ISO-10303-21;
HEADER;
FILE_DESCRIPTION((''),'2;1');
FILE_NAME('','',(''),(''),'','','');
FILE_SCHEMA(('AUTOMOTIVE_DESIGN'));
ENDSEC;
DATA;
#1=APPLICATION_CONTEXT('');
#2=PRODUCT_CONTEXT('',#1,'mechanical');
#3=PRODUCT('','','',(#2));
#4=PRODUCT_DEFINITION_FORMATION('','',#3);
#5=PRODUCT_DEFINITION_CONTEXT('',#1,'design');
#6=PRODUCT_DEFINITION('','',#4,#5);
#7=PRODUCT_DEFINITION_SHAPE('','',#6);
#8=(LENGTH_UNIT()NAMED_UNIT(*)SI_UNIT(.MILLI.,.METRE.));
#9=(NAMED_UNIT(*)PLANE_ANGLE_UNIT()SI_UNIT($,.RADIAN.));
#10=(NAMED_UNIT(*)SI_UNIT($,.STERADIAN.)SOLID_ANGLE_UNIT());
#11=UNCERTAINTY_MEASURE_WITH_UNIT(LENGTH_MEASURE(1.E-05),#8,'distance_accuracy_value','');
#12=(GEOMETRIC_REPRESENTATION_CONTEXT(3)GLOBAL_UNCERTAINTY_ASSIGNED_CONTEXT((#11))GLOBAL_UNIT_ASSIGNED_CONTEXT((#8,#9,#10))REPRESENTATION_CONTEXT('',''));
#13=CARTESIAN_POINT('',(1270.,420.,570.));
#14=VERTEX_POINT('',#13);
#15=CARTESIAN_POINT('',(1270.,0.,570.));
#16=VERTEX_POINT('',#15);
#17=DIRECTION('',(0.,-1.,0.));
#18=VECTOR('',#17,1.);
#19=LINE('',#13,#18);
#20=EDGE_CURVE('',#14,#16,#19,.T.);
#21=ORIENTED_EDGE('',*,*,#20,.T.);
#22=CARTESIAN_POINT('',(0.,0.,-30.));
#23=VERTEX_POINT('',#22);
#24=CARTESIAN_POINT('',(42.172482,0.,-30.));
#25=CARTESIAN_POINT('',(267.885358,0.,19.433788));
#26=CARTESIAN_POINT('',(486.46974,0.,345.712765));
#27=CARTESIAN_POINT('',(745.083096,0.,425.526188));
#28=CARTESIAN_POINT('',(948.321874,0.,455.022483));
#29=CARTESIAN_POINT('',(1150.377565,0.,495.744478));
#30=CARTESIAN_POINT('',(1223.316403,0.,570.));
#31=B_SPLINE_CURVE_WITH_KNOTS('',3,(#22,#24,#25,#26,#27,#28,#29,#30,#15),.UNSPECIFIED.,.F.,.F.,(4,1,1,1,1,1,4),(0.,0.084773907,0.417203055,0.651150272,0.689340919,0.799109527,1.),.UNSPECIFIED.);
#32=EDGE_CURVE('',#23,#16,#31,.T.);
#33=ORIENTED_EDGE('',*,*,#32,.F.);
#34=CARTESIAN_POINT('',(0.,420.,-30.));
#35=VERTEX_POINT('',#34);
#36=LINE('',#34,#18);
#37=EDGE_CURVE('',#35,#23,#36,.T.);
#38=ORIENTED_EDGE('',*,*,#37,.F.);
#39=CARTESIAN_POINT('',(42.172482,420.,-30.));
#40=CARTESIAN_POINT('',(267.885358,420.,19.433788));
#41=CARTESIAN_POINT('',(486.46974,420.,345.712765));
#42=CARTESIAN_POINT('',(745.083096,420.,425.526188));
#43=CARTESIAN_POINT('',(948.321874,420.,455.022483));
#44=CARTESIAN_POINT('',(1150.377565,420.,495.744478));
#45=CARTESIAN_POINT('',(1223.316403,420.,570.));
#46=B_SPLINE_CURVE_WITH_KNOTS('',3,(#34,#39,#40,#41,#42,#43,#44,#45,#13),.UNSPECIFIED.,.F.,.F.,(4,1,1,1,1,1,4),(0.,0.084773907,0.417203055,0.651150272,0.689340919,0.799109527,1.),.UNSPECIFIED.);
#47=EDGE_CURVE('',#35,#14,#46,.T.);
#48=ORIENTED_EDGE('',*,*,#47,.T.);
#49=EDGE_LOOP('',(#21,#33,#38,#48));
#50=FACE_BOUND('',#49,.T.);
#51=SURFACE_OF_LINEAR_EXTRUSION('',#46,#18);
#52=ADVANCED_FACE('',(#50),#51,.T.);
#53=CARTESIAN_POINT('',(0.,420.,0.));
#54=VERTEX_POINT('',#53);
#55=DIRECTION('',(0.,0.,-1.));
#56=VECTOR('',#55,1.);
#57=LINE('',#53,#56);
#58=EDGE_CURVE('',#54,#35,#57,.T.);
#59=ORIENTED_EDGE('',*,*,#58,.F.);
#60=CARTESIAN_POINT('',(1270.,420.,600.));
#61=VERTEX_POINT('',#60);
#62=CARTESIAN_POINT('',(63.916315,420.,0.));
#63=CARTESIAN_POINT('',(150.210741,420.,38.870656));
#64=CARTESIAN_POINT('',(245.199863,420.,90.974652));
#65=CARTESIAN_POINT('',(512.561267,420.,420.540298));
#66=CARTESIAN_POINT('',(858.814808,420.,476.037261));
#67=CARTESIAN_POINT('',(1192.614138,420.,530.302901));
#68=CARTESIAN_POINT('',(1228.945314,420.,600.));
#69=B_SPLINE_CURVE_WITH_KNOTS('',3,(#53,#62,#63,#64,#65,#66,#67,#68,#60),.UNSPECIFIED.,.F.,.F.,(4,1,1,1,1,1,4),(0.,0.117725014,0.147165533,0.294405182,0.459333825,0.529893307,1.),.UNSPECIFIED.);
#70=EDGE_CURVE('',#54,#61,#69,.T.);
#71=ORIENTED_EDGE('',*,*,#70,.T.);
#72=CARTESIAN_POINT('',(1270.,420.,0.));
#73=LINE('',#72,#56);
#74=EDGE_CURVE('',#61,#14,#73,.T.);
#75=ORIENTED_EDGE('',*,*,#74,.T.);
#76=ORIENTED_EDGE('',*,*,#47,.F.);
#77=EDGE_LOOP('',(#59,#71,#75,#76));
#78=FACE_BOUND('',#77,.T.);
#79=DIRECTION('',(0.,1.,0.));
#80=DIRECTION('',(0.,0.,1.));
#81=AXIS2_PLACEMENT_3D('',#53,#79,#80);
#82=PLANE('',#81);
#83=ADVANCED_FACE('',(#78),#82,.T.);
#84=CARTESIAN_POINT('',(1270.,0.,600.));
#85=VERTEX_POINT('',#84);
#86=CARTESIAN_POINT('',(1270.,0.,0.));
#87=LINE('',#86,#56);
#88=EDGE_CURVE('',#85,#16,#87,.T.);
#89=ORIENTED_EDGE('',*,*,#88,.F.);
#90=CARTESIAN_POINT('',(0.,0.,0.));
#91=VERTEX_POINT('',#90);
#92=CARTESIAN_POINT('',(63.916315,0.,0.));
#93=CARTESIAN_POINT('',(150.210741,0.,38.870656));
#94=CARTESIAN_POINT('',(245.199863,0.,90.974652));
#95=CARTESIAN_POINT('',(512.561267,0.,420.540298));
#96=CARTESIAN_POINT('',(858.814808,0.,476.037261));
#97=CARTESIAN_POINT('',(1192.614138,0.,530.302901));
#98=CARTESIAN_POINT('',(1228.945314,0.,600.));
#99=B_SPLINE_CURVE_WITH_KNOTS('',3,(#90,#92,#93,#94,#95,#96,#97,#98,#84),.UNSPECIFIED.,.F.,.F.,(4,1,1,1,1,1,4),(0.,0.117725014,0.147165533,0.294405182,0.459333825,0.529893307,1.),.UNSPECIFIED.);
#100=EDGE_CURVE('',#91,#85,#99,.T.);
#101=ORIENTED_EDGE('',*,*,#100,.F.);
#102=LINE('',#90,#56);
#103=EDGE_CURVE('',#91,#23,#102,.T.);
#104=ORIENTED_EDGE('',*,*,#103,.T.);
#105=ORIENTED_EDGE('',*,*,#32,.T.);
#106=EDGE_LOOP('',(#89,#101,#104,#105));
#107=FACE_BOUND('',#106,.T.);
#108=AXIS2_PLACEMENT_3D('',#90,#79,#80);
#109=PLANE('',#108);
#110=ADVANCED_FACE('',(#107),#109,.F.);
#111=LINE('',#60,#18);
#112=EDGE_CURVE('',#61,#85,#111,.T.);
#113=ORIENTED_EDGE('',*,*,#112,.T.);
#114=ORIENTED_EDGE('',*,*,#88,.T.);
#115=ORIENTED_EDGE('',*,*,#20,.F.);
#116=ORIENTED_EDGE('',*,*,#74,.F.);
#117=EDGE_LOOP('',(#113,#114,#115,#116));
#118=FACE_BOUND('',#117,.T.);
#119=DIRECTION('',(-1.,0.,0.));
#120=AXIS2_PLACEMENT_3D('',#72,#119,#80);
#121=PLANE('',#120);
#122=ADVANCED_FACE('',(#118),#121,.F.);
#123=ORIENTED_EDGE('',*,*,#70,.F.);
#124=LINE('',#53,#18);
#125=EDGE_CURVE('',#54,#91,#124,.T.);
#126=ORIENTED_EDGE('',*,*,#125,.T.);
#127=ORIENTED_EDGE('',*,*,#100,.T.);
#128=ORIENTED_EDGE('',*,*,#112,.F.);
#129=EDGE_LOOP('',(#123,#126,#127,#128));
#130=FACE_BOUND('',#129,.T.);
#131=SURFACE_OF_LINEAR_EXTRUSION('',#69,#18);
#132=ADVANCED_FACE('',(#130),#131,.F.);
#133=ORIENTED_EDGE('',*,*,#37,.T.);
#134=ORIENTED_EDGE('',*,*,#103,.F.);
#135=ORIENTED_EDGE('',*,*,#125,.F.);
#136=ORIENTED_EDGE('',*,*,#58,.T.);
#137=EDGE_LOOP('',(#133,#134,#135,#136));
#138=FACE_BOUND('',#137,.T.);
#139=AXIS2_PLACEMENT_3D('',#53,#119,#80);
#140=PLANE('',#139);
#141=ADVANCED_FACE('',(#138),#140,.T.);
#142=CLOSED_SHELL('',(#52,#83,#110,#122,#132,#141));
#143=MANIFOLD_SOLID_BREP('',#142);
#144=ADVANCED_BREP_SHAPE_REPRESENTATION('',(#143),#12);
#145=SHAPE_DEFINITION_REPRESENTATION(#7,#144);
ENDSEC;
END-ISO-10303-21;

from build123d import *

# Parameters (mm, degrees)
EXTRUDE_1_DEPTH = 420


with BuildPart() as part:
    # 草图1 → 凸台-拉伸1 (new body)
    with BuildSketch(Plane(origin=(0, 0, 0), x_dir=(1, 0, 0), z_dir=(0, 1, 0))):
        with BuildLine():
            add(Edge.make_bspline(
                [(0, 30), (42.172481966, 30), (267.885357965, -19.43378782), (486.469740334, -345.712765109), (745.083096254, -425.526187691), (948.321873855, -455.022483049), (1150.377564707, -495.744478272), (1223.316403493, -570), (1270, -570)],
                knots=[0, 0, 0, 0, 0.084773907, 0.417203055, 0.651150272, 0.689340919, 0.799109527, 1, 1, 1, 1], degree=3))
            Line((1270, -570), (1270, -600))
            add(Edge.make_bspline(
                [(0, 0), (63.91631522, 0), (150.210740564, -38.870655704), (245.199863379, -90.974652103), (512.561266581, -420.540297934), (858.814807697, -476.037260949), (1192.614138347, -530.302900736), (1228.945314055, -600), (1270, -600)],
                knots=[0, 0, 0, 0, 0.117725014, 0.147165533, 0.294405182, 0.459333825, 0.529893307, 1, 1, 1, 1], degree=3))
            Line((0, 0), (0, 30))
        make_face()
    extrude(amount=EXTRUDE_1_DEPTH)


solid = part.part
